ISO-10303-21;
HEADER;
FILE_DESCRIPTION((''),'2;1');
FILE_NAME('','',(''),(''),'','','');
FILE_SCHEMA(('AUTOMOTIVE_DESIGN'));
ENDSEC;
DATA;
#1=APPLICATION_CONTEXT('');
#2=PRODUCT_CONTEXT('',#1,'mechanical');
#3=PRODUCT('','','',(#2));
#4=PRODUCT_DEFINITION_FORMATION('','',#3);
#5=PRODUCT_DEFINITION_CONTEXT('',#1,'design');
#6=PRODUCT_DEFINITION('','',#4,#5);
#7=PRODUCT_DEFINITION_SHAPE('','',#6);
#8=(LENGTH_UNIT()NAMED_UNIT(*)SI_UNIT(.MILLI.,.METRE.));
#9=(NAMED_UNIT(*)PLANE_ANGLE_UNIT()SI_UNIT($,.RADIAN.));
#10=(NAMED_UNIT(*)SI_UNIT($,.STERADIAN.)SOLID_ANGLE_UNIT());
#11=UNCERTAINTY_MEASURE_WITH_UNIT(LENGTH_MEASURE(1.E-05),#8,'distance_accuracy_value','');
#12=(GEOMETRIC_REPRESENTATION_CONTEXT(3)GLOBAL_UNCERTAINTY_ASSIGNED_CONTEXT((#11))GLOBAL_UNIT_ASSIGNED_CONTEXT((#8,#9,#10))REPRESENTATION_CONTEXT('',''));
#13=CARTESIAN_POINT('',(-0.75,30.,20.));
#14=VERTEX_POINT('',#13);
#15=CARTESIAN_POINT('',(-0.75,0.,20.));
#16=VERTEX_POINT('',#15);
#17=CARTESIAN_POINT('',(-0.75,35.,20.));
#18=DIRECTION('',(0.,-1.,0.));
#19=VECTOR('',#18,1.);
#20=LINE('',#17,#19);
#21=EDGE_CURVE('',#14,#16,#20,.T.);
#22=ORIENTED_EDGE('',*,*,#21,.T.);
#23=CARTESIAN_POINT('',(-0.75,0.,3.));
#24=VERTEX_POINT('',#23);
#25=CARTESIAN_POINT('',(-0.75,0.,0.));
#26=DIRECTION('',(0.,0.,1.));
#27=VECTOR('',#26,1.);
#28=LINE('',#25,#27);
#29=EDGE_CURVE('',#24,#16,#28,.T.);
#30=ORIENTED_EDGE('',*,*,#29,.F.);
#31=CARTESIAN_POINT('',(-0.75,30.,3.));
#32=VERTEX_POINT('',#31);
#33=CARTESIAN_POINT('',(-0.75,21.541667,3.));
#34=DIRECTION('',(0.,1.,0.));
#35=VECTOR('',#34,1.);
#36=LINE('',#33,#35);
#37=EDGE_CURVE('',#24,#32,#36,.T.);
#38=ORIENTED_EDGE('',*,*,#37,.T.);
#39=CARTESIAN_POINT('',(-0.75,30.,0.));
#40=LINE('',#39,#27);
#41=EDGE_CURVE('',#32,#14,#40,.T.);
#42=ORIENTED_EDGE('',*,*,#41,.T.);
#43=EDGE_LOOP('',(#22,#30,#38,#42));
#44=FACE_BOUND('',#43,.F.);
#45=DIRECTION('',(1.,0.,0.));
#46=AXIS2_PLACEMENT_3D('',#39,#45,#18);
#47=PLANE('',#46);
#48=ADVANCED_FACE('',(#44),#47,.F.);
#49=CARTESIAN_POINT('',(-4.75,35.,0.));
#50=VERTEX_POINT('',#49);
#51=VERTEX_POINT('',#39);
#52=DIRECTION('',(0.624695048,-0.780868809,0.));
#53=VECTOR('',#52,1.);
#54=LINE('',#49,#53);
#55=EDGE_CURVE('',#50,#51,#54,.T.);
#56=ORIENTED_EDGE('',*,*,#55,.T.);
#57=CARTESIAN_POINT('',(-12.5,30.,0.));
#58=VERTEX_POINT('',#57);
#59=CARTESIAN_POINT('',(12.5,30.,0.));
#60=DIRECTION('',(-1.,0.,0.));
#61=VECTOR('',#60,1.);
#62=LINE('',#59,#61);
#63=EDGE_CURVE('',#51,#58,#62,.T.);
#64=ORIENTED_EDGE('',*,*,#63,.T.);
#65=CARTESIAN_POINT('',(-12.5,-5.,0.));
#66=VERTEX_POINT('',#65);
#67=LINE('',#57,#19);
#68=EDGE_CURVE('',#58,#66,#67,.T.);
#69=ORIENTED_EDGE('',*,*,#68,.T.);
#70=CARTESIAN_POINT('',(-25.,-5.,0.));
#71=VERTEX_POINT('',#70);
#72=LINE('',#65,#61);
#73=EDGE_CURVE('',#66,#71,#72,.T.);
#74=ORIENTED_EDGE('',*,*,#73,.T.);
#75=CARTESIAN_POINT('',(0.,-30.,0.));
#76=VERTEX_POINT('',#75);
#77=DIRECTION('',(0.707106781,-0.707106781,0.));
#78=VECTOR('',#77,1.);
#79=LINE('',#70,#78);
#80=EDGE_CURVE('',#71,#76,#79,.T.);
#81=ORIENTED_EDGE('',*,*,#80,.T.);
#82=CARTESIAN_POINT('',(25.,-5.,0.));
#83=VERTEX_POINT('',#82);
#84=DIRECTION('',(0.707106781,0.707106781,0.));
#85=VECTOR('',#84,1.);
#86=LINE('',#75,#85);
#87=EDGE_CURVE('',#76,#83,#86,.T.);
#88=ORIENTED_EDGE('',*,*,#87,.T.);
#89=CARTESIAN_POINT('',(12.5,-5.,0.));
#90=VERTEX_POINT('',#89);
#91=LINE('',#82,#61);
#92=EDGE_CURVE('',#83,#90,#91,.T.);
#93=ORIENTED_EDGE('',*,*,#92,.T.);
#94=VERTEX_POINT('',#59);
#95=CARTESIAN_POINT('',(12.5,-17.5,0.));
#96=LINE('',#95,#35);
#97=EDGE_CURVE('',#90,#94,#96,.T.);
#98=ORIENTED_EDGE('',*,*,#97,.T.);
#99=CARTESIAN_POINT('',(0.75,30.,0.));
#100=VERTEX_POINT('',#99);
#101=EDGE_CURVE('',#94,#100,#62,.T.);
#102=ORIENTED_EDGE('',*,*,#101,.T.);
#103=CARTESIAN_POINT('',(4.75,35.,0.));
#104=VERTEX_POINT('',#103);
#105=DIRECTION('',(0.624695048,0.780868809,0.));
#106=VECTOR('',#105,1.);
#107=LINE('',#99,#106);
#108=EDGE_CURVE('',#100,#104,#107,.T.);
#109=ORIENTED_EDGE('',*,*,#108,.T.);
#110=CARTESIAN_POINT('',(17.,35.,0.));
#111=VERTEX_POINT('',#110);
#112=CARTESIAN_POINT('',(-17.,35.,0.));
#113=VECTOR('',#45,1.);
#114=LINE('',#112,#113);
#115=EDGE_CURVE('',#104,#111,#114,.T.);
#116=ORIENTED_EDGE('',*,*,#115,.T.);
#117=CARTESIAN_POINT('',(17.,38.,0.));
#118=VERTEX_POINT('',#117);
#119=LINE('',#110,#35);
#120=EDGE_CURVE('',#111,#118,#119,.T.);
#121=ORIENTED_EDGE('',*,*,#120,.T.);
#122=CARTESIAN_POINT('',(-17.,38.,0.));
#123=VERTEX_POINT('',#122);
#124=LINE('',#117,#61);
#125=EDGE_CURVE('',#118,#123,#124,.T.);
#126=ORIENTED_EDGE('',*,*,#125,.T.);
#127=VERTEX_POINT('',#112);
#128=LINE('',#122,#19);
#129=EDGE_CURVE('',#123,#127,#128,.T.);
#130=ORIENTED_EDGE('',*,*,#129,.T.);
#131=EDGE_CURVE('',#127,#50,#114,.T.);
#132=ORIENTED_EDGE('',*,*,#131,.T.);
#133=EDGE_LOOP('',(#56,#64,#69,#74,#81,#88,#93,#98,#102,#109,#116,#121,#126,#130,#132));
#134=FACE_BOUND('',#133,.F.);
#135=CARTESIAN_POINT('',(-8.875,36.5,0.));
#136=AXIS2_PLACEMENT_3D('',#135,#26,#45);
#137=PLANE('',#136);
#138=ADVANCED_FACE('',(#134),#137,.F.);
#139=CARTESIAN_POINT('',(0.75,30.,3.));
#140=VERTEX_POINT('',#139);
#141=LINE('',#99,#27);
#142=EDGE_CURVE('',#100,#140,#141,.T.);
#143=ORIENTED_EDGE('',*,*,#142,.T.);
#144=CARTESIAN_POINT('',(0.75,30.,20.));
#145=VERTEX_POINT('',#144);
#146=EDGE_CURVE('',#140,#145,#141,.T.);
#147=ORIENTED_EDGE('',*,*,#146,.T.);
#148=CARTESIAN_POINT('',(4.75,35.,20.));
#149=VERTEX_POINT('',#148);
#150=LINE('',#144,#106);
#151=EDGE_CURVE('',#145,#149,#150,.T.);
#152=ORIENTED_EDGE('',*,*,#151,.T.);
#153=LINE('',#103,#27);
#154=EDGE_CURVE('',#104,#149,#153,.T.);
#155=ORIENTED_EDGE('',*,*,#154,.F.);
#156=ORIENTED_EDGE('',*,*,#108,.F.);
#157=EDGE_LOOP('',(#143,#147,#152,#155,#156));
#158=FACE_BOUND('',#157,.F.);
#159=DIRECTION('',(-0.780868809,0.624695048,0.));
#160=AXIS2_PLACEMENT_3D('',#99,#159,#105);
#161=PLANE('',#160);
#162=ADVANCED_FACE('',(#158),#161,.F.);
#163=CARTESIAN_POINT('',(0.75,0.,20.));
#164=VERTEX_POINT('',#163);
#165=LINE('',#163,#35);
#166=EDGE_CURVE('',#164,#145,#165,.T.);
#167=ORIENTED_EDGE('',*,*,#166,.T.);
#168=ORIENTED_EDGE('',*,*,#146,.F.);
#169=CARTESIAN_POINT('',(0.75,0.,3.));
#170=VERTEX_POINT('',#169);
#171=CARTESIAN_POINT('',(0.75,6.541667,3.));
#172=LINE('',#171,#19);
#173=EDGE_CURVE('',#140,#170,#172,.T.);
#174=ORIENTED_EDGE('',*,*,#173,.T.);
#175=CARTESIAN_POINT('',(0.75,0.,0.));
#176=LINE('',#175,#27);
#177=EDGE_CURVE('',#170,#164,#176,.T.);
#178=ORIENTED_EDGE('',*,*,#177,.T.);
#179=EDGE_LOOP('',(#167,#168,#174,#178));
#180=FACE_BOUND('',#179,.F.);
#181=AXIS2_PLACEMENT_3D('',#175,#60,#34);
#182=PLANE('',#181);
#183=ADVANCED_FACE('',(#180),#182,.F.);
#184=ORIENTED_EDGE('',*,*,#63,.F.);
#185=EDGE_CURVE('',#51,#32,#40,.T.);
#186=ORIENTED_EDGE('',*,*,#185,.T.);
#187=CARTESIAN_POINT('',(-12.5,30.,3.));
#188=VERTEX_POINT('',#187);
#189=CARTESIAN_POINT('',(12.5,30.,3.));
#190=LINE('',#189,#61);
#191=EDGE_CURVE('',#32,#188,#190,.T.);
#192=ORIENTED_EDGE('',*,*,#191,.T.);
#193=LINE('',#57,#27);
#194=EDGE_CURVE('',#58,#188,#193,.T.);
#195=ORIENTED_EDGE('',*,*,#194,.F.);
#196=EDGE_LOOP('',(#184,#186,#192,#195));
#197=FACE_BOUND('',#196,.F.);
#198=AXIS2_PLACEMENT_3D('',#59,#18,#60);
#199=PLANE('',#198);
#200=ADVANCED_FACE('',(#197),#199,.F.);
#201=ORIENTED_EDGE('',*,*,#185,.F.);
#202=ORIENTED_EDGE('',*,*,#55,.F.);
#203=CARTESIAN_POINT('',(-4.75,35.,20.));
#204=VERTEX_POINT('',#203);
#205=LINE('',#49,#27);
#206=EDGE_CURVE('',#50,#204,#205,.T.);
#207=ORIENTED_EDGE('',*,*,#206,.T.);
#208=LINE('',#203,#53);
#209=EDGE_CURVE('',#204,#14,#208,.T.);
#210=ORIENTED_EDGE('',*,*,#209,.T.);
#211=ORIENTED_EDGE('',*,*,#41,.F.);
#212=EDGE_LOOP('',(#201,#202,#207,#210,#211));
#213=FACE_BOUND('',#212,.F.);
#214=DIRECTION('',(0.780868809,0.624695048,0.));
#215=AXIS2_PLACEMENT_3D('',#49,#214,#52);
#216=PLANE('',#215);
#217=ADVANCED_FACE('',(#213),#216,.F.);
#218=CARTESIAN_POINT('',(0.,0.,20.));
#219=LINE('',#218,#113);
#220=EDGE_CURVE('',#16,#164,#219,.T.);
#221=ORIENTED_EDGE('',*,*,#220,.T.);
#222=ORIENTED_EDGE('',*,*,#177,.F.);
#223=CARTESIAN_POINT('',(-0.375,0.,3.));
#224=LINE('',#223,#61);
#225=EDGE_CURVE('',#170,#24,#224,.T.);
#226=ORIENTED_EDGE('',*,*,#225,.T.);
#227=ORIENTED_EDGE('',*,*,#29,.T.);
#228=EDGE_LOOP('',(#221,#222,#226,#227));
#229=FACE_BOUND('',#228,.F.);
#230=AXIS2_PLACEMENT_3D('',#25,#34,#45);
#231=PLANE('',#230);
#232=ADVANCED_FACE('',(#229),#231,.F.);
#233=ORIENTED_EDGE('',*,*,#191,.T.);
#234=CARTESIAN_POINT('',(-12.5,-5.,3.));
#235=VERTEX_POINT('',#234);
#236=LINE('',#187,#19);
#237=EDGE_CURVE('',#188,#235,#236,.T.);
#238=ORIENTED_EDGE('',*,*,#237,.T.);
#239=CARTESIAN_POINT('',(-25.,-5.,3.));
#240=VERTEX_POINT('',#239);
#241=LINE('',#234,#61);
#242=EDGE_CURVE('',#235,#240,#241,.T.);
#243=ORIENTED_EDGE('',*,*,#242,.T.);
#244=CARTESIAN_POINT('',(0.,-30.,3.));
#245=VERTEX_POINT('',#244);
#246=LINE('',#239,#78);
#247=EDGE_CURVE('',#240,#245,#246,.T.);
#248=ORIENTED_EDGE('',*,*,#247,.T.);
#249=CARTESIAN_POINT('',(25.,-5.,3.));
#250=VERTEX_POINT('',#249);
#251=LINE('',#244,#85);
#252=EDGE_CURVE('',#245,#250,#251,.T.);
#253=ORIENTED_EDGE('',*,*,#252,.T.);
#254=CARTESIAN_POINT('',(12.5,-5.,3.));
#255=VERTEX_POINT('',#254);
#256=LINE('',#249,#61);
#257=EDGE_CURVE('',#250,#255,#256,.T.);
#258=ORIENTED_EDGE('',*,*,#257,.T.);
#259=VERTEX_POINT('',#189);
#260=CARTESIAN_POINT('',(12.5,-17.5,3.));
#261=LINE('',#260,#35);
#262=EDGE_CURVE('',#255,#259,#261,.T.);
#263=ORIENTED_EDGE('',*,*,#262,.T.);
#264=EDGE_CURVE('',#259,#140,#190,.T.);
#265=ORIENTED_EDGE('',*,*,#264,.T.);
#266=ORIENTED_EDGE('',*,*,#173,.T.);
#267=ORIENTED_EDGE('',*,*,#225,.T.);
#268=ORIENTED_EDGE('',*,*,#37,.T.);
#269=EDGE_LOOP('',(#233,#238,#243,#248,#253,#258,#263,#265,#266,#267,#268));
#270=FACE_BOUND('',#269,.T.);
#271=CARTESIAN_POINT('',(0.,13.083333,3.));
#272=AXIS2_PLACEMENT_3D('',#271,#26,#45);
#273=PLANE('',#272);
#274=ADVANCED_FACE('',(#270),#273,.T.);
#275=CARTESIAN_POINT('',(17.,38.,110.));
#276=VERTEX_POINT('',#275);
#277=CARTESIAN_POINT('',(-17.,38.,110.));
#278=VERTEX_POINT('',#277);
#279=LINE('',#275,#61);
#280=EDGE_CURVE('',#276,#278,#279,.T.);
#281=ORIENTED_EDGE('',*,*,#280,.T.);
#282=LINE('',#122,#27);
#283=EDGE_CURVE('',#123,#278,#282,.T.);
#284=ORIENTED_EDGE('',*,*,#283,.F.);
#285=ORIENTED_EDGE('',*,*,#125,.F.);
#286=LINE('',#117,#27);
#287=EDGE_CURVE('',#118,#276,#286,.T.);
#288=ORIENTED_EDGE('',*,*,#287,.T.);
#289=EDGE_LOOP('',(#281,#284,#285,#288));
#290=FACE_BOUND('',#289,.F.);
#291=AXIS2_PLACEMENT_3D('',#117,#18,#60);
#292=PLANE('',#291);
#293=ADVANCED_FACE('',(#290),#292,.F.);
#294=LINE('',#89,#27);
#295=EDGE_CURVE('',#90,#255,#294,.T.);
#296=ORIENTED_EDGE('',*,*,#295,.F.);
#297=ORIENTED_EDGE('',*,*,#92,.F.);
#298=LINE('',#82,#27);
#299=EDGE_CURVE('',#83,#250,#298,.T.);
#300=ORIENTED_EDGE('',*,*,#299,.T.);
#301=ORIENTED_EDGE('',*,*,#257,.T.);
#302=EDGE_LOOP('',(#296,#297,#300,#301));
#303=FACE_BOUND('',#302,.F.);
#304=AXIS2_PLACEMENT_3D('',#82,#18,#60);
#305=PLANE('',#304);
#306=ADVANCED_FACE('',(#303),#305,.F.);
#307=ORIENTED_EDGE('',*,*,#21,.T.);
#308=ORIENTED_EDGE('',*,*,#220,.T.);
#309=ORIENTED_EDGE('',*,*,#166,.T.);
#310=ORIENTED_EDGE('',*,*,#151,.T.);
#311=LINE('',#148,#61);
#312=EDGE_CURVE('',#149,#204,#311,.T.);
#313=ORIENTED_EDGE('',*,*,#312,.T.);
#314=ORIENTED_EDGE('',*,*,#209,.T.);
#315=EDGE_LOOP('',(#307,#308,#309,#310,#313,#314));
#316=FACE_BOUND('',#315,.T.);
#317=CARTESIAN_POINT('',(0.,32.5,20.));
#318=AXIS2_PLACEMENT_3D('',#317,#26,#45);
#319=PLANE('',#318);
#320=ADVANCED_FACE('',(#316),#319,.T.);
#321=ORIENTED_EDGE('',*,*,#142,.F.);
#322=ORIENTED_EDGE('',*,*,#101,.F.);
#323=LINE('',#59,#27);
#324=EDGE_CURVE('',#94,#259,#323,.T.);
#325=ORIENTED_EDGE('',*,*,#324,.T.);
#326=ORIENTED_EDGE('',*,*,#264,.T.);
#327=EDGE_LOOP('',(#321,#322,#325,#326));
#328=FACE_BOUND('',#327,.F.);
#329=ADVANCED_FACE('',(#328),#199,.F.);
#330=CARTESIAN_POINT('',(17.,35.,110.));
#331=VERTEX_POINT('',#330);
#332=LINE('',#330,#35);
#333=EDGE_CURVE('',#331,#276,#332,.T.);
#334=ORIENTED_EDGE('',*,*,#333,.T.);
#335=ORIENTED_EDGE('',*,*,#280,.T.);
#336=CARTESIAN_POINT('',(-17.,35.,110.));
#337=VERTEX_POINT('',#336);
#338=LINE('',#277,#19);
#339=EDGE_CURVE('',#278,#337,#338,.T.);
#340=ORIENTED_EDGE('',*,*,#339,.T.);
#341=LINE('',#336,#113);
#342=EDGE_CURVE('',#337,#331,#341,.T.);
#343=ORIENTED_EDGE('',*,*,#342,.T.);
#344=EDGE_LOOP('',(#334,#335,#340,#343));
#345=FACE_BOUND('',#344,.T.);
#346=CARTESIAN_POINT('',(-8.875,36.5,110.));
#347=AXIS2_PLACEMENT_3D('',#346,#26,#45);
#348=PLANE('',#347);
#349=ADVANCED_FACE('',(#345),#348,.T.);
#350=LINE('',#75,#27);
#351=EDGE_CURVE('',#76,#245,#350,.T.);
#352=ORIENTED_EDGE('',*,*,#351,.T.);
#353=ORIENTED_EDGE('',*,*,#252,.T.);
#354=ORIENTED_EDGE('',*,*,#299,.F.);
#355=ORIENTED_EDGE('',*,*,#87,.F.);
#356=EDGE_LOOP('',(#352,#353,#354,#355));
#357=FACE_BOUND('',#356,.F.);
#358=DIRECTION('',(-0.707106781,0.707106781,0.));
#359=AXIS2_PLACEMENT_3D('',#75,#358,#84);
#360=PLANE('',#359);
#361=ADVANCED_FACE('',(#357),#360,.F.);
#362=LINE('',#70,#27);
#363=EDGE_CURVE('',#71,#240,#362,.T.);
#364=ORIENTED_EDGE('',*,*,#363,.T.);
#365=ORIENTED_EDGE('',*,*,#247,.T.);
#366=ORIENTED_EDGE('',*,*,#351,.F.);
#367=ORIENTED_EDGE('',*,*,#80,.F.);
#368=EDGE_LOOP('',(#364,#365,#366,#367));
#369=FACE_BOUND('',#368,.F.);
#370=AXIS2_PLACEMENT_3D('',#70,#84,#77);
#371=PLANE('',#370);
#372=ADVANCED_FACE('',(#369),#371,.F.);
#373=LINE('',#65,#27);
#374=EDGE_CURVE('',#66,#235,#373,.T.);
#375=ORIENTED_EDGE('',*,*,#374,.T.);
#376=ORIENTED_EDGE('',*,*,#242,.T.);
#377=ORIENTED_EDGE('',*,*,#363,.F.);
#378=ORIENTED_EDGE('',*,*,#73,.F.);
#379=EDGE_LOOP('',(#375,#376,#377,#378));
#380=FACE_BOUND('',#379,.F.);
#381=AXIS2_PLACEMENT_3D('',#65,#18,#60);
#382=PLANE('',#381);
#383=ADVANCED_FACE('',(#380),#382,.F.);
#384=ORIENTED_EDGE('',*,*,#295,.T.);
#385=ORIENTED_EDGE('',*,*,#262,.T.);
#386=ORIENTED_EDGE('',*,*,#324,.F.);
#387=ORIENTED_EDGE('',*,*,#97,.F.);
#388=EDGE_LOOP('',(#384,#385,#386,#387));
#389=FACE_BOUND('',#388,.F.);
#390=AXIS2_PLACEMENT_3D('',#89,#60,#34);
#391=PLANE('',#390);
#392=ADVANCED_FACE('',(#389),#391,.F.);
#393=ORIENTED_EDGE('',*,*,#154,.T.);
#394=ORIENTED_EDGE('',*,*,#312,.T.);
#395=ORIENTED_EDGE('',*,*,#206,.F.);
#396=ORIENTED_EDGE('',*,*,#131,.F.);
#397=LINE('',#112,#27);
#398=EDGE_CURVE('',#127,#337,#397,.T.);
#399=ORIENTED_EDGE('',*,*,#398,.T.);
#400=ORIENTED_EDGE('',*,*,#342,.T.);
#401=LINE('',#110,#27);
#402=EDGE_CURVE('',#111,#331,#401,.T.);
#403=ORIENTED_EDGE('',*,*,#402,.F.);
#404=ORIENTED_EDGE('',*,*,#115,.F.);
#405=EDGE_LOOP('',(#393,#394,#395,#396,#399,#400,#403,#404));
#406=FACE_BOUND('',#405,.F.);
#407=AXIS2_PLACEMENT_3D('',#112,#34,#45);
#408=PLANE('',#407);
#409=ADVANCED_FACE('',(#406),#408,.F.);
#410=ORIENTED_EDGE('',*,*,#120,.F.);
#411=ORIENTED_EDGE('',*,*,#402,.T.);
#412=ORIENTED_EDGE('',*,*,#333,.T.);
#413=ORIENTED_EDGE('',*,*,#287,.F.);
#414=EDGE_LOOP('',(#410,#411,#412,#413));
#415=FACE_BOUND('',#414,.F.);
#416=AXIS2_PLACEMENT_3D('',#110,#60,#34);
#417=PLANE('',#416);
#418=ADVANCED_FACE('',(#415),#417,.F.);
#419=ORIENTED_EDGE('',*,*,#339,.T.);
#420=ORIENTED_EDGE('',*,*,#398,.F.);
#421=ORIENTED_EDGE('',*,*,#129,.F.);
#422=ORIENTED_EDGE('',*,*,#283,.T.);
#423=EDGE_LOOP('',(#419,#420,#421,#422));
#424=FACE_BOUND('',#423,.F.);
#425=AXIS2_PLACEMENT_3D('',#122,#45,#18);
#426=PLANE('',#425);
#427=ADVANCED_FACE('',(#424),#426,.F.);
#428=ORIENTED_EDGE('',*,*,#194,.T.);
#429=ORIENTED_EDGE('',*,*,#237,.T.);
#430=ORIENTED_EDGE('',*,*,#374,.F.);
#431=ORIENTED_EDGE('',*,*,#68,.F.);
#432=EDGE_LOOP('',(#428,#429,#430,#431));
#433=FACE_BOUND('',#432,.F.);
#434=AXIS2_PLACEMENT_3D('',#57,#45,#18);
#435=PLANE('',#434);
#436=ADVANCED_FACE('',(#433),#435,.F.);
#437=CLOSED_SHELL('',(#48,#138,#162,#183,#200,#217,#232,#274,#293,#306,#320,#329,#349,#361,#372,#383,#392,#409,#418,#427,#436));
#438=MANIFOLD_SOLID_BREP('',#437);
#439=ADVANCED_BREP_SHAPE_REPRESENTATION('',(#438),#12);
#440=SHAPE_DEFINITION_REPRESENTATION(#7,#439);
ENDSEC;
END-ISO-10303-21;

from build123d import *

# Parameters (mm, degrees)
F0_W     = 1.5
F0_H     = 30
F1_DEPTH = 3
F0_H_2   = 5
F2_DEPTH = 20
F0_H_3   = 3
F3_DEPTH = 110


with BuildPart() as f1:
    # F0 (on Top) → F1 (new body)
    with BuildSketch(Plane.XY):
        Polygon((12.5, -5), (12.5, 30), (0.75, 30), (0.75, 0), (-0.75, 0), (-0.75, 30), (-12.5, 30), (-12.5, -5), (0, -5), align=None)
        with Locations((0, 15)):
            Rectangle(F0_W, F0_H)
        Polygon((0, -30), (0, -5), (-12.5, -5), (-12.5, -17.5), align=None)
        Polygon((12.5, -17.5), (12.5, -5), (0, -5), (0, -30), align=None)
        Polygon((25, -5), (12.5, -5), (12.5, -17.5), align=None)
        Polygon((-12.5, -17.5), (-12.5, -5), (-25, -5), align=None)
    extrude(amount=F1_DEPTH)

    # F0 (on Top) → F2 (join)
    with BuildSketch(Plane.XY):
        with Locations((0, 32.5)):
            Rectangle(F0_W, F0_H_2)
        with Locations((0, 15)):
            Rectangle(F0_W, F0_H)
        Polygon((0.75, 35), (0.75, 30), (4.75, 35), align=None)
        Polygon((-4.75, 35), (-0.75, 30), (-0.75, 35), align=None)
    extrude(amount=F2_DEPTH)

    # F0 (on Top) → F3 (join)
    with BuildSketch(Plane.XY):
        Polygon((-4.75, 35), (-0.75, 35), (-0.75, 38), (-17, 38), (-17, 35), align=None)
        with Locations((0, 36.5)):
            Rectangle(F0_W, F0_H_3)
        Polygon((0.75, 38), (0.75, 35), (4.75, 35), (17, 35), (17, 38), align=None)
    extrude(amount=F3_DEPTH)


solid = f1.part
